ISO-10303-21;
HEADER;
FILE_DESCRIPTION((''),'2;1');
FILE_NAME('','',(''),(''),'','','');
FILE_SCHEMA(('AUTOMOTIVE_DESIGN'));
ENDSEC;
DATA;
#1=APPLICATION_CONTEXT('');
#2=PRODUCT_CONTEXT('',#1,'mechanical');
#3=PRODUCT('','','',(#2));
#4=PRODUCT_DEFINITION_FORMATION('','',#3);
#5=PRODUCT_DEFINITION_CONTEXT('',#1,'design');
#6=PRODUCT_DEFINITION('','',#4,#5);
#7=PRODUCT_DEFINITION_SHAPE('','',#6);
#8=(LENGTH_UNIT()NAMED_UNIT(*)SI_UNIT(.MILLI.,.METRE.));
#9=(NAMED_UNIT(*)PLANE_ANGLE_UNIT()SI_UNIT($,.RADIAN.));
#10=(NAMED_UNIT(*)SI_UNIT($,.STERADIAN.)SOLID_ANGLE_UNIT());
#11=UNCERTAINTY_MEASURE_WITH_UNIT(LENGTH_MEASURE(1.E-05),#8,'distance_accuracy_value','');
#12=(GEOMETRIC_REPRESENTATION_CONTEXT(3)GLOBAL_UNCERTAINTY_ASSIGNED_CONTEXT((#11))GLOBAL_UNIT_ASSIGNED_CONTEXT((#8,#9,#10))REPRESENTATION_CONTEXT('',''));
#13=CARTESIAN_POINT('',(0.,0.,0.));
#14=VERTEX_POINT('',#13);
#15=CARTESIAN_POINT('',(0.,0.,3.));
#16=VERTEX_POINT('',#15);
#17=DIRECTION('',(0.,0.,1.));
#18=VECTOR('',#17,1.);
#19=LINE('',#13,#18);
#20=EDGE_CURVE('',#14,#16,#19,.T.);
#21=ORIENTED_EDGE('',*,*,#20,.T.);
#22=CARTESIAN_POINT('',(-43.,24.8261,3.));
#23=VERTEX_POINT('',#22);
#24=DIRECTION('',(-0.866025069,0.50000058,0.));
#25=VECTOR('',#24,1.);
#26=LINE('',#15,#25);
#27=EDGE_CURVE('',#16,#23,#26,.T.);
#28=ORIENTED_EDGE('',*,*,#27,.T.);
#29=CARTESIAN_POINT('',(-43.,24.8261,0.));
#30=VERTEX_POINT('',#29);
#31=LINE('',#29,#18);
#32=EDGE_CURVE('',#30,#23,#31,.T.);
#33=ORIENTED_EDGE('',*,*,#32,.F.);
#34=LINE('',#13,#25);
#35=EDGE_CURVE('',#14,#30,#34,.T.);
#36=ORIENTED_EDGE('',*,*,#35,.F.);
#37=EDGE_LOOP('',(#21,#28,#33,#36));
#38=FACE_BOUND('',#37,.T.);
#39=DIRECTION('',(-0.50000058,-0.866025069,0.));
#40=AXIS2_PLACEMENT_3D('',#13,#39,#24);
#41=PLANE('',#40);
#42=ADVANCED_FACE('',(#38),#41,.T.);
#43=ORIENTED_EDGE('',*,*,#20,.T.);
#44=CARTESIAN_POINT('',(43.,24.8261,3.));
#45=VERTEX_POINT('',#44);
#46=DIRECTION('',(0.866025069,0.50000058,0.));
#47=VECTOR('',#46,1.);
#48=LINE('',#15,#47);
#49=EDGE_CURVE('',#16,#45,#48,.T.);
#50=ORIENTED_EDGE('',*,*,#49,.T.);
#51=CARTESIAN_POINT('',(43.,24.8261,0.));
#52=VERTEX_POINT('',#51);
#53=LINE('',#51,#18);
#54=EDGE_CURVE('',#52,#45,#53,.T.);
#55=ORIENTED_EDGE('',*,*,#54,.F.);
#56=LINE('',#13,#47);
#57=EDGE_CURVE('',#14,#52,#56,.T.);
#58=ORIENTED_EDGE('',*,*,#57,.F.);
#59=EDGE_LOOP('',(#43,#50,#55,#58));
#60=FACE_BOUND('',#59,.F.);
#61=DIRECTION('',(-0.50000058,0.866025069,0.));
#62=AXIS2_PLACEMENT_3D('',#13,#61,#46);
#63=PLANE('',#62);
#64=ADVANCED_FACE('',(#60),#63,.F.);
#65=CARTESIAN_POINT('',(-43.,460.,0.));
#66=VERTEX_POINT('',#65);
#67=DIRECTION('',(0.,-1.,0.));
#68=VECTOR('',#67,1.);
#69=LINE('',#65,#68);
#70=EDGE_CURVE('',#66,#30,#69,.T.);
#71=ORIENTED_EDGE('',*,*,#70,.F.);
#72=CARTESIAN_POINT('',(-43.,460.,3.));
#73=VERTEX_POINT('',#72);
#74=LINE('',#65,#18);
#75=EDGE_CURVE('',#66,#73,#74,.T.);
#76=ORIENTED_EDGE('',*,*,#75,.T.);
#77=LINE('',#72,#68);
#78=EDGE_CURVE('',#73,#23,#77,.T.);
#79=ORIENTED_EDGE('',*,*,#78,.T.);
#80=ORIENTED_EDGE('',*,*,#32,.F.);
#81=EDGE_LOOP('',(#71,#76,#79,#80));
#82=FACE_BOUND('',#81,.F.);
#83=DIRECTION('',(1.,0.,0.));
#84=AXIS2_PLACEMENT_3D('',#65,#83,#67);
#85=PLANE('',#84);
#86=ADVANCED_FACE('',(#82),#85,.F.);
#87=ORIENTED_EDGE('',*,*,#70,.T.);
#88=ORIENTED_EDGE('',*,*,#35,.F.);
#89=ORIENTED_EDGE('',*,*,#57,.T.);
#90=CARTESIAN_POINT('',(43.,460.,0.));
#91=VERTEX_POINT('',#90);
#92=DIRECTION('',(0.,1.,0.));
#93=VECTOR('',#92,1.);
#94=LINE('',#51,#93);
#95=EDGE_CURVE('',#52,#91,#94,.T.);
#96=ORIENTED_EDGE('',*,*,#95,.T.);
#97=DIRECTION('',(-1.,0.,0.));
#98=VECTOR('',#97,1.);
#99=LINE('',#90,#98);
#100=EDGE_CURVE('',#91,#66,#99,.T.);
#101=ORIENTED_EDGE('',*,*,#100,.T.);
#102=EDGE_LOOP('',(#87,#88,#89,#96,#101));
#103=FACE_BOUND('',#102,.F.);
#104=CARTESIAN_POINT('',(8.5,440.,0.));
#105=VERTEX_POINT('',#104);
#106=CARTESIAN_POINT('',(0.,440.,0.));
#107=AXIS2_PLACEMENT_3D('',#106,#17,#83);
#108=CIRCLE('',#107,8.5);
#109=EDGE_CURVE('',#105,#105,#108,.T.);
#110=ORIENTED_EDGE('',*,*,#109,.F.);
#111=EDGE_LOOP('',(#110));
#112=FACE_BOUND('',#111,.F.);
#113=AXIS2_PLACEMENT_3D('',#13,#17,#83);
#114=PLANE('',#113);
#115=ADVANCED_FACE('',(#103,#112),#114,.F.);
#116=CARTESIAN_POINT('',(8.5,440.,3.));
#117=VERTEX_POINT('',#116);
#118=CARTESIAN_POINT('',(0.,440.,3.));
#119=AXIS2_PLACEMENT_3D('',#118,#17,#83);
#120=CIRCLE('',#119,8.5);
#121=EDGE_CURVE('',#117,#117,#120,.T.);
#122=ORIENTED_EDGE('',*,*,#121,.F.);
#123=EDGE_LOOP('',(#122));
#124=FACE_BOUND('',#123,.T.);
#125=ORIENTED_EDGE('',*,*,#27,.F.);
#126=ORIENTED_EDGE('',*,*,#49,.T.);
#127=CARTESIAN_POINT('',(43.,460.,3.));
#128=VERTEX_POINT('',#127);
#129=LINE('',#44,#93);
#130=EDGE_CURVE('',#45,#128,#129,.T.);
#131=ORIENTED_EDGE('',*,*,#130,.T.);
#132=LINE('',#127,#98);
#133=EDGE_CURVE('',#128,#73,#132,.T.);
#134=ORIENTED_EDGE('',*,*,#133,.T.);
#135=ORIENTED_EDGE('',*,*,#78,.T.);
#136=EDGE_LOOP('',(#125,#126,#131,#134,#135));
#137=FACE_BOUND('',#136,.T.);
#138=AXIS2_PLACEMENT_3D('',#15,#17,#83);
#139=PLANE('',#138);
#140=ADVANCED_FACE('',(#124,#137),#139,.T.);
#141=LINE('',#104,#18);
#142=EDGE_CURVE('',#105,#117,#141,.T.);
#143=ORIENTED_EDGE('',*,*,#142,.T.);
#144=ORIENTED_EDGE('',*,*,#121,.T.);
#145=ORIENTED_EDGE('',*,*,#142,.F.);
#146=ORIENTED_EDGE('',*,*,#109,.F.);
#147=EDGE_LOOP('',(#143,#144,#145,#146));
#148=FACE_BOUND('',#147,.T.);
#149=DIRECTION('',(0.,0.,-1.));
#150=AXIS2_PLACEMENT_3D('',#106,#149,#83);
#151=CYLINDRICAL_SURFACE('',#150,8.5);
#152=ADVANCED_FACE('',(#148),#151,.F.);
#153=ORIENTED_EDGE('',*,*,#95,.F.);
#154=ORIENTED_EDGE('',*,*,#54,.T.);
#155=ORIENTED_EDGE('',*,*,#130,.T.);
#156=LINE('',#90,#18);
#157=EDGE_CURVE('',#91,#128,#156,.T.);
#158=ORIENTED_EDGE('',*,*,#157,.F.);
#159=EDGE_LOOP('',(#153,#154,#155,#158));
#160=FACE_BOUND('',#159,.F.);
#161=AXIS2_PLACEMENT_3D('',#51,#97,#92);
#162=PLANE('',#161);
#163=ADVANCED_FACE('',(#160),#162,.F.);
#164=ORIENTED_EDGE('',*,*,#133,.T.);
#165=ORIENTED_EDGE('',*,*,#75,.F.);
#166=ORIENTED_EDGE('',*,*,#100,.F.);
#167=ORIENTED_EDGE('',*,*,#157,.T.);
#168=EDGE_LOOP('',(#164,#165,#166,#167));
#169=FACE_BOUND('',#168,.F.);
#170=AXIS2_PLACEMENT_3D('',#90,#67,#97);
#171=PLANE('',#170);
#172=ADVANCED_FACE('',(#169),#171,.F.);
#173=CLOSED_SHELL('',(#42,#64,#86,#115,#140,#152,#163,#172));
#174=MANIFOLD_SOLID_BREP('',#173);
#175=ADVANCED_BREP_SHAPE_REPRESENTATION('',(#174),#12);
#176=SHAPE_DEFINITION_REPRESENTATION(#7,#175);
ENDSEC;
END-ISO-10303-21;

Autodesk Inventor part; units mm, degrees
ref_plane "YZ Plane" through (0, 0, 0) normal (1, 0, 0) x (0, 1, 0)
ref_plane "XZ Plane" through (0, 0, 0) normal (0, 1, 0) x (-1, 0, 0)
ref_plane "XY Plane" through (0, 0, 0) normal (0, 0, 1) x (1, 0, 0)
sketch "Sketch6" plane through (0, 0, 0) normal (0, 0, 1) x (1, 0, 0)
  line L0 (0, 0) -> (43, 24.8261)
  line L1 (0, 0) -> (-43, 24.8261)
  line L2 (0, 0) -> (0, 440) construction
  line L3 (-43, 24.8261) -> (43, 24.8261) construction
  line L4 (43, 24.8261) -> (43, 460)
  line L5 (43, 460) -> (-43, 460)
  line L6 (-43, 460) -> (-43, 24.8261)
  circle A0 centre (0, 440) radius 8.5
  circle A1 centre (0, 0) radius 440 construction
  circle A2 centre (0, 0) radius 460 construction
  dimension "d44" = 880
  dimension "d40" = 120
  dimension "d42" = 86
  dimension "d43" = 17
  dimension "d45" = 920
extrude "Plate3" add sketch "Sketch6" along normal blind 3
equation "\"d46\" = Thickness"
equation "\"BendReliefWidth\" = Thickness"
equation "\"BendReliefDepth\" = 0.5 * Thickness"
equation "\"CornerReliefSize\" = 4 * Thickness"
equation "\"MinimumRemnant\" = 2 * Thickness"
equation "\"TransitionRadius\" = BendRadius"
equation "\"JacobiRadiusSize\" = BendRadius"
equation "\"GapSize\" = Thickness"
equation "\"Thickness\" = 3"
equation "\"BendRadius\" = 5"
properties part number "PRS 940-96 leg floor pattern" material "Stainless Steel"
